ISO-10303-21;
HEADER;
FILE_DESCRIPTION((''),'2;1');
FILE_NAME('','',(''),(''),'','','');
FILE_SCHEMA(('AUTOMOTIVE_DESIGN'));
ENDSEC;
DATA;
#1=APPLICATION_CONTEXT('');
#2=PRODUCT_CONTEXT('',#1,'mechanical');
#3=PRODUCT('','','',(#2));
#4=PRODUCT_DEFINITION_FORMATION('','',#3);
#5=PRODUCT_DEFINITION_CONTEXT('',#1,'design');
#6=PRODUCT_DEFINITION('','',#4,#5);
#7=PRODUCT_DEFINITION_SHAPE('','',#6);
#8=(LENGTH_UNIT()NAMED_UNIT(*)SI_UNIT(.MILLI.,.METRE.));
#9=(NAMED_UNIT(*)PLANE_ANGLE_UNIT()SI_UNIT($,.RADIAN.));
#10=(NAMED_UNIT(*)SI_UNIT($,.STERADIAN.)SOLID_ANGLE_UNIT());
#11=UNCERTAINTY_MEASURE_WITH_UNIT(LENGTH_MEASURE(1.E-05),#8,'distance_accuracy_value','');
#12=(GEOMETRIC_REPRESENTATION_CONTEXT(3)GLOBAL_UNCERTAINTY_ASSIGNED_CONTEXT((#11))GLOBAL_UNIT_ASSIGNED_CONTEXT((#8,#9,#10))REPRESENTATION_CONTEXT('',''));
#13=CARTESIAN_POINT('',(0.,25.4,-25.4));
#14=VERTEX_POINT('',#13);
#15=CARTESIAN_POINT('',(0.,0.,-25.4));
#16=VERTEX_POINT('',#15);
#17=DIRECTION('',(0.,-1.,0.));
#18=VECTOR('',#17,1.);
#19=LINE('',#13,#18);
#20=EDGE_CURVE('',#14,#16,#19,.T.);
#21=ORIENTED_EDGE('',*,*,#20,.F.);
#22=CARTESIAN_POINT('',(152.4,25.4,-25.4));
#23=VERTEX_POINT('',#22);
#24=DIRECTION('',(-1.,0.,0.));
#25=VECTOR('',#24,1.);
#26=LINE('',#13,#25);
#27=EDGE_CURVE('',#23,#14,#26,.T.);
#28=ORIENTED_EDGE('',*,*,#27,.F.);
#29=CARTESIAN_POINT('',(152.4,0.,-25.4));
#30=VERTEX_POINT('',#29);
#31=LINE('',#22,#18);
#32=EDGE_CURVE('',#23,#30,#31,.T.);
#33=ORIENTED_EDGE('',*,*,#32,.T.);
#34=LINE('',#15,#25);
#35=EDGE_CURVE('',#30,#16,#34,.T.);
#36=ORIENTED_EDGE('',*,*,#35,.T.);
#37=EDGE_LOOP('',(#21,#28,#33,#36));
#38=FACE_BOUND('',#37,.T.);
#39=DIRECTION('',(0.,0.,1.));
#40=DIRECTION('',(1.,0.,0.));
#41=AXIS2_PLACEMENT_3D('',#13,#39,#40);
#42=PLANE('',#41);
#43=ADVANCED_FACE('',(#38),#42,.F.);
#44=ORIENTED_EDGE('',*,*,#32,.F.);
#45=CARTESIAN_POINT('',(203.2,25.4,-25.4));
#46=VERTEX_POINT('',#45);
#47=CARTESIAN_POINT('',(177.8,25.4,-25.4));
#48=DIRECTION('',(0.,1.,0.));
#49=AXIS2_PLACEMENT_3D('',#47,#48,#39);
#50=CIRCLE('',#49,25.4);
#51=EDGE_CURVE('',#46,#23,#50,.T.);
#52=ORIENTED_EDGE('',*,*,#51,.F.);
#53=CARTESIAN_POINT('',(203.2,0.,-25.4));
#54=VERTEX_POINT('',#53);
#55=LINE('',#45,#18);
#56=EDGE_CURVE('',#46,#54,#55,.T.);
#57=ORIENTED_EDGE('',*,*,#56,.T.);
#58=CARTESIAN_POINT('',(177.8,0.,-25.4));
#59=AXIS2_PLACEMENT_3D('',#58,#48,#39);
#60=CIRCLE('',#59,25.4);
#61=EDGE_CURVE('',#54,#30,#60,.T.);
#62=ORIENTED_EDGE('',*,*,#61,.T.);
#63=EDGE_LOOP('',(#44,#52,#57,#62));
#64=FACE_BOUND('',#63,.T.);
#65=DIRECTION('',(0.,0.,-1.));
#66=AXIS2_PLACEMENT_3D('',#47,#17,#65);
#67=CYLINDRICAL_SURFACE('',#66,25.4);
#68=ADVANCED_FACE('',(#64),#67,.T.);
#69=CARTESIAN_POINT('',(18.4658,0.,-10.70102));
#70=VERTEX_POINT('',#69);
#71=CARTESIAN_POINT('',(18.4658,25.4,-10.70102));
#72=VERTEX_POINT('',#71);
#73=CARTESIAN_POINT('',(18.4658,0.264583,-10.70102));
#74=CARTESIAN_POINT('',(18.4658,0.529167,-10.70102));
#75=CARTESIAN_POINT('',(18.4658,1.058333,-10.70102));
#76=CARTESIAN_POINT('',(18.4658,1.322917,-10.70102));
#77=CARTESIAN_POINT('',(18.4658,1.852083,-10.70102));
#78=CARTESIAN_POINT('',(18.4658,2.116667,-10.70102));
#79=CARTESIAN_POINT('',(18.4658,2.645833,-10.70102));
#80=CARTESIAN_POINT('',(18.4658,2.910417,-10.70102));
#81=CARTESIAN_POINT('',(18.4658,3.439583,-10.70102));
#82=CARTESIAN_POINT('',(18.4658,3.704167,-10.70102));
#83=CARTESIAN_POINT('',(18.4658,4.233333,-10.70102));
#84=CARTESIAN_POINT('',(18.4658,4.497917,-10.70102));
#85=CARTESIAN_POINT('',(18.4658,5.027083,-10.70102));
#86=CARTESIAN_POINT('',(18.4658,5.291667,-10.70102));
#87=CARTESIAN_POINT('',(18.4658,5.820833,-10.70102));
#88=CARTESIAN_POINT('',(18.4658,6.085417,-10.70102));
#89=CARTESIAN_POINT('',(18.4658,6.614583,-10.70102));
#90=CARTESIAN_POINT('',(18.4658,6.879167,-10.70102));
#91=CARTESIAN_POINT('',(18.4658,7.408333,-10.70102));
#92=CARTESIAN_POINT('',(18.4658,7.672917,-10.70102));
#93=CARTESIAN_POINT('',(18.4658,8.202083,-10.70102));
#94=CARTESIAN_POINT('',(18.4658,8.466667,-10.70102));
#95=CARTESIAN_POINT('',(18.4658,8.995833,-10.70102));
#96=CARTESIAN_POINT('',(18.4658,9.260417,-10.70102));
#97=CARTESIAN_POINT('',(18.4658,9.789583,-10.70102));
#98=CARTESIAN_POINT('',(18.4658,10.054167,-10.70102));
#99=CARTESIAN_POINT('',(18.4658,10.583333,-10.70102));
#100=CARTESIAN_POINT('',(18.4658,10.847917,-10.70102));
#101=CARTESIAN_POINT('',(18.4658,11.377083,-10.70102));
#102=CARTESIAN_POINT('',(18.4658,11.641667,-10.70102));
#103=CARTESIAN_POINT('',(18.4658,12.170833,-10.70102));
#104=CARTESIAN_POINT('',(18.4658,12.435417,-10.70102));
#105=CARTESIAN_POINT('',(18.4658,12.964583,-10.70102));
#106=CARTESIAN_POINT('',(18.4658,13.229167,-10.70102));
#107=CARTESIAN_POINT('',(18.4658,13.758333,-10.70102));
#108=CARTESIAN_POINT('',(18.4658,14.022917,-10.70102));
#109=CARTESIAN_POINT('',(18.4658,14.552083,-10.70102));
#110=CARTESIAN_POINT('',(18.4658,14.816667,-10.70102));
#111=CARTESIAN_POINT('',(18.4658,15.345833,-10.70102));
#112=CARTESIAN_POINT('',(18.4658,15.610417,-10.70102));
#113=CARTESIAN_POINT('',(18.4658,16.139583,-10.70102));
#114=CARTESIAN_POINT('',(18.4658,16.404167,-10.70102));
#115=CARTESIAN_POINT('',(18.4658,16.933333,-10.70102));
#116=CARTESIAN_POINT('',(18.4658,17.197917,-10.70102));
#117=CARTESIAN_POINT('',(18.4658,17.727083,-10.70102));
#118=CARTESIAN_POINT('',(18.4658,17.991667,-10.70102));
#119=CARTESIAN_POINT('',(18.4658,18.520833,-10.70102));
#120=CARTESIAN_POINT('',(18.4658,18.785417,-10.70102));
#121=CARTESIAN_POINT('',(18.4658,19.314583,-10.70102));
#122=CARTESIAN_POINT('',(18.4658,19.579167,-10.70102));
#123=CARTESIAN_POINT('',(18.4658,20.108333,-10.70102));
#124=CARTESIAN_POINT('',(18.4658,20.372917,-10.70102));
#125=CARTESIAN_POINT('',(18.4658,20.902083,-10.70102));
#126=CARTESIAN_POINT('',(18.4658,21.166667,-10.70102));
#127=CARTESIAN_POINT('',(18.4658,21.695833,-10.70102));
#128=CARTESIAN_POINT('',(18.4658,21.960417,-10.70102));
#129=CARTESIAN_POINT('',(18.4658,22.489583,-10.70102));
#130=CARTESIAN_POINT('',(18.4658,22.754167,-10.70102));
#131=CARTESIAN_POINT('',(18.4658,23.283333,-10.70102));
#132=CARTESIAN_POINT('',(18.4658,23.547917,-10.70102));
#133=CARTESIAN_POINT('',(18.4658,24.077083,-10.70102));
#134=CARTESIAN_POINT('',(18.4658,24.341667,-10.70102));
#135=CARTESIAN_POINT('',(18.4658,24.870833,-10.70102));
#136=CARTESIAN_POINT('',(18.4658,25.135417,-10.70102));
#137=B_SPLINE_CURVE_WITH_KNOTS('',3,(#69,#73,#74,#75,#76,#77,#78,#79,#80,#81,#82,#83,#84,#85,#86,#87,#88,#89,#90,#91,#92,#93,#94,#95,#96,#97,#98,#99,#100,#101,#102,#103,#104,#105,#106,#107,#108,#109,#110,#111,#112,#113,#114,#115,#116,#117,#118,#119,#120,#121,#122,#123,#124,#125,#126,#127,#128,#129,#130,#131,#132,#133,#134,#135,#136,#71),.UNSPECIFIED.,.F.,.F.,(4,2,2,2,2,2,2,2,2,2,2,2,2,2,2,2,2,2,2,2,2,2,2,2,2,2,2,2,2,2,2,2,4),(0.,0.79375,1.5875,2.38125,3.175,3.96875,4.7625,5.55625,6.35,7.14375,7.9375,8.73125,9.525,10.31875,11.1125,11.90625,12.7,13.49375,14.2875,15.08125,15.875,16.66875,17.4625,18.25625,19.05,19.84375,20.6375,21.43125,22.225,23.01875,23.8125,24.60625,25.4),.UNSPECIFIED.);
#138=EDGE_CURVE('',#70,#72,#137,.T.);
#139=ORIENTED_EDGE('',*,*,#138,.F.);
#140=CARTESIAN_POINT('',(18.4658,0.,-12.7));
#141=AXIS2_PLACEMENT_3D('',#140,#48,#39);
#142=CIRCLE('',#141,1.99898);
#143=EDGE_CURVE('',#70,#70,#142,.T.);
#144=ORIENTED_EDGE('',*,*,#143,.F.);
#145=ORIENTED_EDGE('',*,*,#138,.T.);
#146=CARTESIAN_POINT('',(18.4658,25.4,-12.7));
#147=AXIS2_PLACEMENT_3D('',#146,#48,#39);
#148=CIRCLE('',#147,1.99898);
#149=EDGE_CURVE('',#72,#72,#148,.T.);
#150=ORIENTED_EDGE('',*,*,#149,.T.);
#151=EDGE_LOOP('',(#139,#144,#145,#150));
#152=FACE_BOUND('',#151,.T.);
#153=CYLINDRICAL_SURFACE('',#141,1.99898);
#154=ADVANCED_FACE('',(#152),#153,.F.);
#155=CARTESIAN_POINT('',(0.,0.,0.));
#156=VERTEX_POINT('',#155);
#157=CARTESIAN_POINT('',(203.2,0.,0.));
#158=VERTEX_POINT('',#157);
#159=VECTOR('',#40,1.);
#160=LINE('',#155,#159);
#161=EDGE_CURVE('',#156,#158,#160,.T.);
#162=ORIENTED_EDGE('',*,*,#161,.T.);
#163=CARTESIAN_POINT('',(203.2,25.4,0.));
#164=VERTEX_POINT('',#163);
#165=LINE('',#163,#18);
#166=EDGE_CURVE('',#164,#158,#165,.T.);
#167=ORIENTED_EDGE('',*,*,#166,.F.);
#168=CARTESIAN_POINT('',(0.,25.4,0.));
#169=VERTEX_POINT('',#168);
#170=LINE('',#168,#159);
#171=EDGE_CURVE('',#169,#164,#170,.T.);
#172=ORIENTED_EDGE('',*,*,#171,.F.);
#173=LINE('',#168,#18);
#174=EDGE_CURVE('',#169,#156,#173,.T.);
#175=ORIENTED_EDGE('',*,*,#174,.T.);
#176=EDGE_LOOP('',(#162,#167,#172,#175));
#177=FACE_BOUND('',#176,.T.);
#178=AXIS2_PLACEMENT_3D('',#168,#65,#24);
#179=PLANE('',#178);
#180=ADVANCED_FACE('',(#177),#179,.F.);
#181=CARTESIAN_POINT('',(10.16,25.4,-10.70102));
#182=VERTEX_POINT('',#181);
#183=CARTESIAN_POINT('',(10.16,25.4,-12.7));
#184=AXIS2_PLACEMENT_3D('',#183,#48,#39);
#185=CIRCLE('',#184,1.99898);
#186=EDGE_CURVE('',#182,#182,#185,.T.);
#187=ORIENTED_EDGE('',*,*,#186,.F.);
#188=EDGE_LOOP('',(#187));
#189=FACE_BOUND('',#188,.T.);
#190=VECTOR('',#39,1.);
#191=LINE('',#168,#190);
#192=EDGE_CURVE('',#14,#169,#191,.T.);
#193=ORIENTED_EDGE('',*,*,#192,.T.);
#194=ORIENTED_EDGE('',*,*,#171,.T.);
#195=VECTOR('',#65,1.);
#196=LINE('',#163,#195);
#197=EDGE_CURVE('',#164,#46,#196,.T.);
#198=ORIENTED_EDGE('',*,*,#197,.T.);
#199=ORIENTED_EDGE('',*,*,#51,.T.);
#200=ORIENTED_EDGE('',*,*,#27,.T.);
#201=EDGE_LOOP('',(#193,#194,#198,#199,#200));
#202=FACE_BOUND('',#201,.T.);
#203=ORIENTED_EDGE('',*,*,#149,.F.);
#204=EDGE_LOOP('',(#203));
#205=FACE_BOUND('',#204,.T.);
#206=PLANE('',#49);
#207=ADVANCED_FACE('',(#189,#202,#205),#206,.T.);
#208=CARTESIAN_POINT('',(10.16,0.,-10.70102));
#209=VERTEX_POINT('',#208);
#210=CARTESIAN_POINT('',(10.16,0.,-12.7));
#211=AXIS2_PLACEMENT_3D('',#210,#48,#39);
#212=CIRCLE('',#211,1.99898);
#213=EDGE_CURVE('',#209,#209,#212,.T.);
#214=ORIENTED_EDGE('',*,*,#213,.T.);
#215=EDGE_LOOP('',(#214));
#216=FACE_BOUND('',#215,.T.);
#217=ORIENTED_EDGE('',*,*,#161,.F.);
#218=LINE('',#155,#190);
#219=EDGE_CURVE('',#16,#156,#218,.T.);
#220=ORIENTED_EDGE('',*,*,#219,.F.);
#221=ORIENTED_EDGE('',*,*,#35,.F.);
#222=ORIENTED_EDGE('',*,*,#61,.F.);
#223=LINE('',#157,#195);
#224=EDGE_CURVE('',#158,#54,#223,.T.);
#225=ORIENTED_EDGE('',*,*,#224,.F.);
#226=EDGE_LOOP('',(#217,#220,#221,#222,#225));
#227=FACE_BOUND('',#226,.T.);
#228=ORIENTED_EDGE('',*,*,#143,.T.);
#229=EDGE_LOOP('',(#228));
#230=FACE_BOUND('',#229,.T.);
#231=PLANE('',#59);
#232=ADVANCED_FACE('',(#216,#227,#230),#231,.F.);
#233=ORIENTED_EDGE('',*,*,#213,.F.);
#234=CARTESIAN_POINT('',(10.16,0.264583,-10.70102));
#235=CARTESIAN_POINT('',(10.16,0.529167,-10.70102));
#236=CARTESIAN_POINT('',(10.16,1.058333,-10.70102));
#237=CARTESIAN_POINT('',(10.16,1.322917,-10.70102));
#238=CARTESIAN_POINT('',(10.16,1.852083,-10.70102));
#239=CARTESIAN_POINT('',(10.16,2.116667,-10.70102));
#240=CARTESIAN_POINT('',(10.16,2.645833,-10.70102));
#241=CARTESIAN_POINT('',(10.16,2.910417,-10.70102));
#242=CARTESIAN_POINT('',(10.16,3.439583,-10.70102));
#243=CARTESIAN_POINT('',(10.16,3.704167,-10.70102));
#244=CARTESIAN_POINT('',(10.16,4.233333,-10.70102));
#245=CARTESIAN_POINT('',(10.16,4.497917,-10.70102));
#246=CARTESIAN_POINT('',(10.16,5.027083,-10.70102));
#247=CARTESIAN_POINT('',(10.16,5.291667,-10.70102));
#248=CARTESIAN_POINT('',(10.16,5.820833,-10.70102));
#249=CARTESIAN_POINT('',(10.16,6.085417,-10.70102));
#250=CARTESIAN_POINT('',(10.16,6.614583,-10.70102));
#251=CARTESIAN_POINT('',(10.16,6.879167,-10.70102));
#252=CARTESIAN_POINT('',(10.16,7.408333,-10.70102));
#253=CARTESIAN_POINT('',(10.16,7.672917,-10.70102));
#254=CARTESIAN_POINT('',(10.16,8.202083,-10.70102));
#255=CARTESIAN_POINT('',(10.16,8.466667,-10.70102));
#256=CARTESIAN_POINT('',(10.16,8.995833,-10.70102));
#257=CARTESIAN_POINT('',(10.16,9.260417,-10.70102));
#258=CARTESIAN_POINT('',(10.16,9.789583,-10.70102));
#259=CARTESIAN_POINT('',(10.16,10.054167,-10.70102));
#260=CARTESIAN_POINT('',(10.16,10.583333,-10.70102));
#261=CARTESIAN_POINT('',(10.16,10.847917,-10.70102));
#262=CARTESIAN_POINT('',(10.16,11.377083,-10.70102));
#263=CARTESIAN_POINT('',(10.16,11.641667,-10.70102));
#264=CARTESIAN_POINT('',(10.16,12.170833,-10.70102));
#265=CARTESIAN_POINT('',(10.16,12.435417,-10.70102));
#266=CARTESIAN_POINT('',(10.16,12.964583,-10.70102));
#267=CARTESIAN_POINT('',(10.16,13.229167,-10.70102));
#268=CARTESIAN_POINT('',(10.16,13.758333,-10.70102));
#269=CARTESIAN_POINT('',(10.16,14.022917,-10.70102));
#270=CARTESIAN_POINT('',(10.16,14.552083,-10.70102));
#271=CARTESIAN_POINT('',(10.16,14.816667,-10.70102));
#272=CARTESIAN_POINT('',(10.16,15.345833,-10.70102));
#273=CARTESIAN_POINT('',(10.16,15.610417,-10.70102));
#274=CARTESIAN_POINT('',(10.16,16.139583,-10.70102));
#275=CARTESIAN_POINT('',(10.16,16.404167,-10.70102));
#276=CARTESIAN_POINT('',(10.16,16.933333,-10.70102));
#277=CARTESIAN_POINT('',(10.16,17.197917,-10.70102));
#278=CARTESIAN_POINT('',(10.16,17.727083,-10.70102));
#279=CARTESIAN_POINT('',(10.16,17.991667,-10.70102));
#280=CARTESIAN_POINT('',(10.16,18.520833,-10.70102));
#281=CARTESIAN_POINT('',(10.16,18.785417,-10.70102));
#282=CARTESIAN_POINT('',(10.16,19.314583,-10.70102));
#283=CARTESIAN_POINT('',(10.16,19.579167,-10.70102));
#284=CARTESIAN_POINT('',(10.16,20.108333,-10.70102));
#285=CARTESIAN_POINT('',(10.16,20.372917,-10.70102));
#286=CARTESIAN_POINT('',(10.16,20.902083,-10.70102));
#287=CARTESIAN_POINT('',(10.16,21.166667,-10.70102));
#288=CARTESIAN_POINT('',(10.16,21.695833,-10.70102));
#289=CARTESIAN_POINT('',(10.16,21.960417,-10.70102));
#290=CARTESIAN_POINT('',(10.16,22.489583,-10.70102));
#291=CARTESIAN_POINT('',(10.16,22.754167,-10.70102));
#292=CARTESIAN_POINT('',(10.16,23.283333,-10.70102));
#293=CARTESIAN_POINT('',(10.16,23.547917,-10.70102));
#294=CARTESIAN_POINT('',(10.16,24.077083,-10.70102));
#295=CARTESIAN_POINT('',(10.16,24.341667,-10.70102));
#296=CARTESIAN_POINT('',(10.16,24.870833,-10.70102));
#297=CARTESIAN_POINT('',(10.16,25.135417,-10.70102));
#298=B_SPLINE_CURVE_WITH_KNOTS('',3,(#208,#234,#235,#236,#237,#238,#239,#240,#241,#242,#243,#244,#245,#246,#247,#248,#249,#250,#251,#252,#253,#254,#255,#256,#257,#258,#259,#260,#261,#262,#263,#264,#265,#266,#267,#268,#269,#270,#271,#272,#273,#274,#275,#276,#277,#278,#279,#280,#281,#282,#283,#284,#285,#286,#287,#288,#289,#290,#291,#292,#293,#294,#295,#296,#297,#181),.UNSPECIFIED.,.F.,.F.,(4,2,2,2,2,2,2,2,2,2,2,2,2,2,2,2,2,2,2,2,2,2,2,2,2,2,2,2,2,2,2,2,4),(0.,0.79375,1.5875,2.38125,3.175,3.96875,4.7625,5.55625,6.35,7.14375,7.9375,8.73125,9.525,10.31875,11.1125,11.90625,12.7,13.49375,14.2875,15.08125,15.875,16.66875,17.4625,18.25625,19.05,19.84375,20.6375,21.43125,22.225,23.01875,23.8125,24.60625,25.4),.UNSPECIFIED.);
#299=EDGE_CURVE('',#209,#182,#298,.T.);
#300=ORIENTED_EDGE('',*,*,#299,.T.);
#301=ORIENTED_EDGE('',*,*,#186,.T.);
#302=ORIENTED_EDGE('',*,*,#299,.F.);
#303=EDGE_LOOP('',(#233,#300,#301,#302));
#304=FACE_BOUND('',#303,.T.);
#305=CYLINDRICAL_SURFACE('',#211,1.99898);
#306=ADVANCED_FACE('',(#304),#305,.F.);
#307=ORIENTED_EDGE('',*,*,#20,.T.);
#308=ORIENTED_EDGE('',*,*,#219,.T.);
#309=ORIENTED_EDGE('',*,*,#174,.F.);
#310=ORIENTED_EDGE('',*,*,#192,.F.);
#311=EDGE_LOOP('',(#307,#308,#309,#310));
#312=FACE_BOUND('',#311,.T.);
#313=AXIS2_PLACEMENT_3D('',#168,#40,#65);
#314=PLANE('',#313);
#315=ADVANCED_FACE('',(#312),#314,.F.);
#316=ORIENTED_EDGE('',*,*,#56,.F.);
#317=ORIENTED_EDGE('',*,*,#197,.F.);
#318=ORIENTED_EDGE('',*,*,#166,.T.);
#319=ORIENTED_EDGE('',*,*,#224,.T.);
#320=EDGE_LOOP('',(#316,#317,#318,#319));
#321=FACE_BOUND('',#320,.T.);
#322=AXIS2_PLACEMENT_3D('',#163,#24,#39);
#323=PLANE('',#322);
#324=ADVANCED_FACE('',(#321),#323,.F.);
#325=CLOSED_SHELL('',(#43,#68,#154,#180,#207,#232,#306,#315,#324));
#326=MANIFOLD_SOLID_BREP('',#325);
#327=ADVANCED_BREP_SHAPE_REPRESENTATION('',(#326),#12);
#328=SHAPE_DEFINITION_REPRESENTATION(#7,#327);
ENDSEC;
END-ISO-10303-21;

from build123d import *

# Parameters (mm, degrees)
BOSS_EXTRUDE1_DEPTH = 25.4
SKETCH2_R           = 1.99898
CUT_EXTRUDE1_DEPTH  = 25.4


with BuildPart() as part:
    # Sketch1 → Boss-Extrude1 (new body)
    with BuildSketch(Plane(origin=(0, 0, 0), x_dir=(1, 0, 0), z_dir=(0, 1, 0))):
        with BuildLine():
            Line((0, 0), (203.2, 0))
            Line((203.2, 0), (203.2, 25.4))
            ThreePointArc((203.2, 25.4), (177.8, 50.8), (152.4, 25.4))
            Line((152.4, 25.4), (0, 25.4))
            Line((0, 25.4), (0, 0))
        make_face()
    extrude(amount=BOSS_EXTRUDE1_DEPTH)

    # Sketch2 → Cut-Extrude1 (cut)
    with BuildSketch(Plane(origin=(0, 25.4, 0), x_dir=(1, 0, 0), z_dir=(0, 1, 0))):
        with Locations(Location((10.16, 12.7, 0), (0, 0, 270))):
            Circle(SKETCH2_R)
        with Locations(Location((18.4658, 12.7, 0), (0, 0, 270))):
            Circle(SKETCH2_R)
    extrude(amount=-CUT_EXTRUDE1_DEPTH, mode=Mode.SUBTRACT)


solid = part.part
